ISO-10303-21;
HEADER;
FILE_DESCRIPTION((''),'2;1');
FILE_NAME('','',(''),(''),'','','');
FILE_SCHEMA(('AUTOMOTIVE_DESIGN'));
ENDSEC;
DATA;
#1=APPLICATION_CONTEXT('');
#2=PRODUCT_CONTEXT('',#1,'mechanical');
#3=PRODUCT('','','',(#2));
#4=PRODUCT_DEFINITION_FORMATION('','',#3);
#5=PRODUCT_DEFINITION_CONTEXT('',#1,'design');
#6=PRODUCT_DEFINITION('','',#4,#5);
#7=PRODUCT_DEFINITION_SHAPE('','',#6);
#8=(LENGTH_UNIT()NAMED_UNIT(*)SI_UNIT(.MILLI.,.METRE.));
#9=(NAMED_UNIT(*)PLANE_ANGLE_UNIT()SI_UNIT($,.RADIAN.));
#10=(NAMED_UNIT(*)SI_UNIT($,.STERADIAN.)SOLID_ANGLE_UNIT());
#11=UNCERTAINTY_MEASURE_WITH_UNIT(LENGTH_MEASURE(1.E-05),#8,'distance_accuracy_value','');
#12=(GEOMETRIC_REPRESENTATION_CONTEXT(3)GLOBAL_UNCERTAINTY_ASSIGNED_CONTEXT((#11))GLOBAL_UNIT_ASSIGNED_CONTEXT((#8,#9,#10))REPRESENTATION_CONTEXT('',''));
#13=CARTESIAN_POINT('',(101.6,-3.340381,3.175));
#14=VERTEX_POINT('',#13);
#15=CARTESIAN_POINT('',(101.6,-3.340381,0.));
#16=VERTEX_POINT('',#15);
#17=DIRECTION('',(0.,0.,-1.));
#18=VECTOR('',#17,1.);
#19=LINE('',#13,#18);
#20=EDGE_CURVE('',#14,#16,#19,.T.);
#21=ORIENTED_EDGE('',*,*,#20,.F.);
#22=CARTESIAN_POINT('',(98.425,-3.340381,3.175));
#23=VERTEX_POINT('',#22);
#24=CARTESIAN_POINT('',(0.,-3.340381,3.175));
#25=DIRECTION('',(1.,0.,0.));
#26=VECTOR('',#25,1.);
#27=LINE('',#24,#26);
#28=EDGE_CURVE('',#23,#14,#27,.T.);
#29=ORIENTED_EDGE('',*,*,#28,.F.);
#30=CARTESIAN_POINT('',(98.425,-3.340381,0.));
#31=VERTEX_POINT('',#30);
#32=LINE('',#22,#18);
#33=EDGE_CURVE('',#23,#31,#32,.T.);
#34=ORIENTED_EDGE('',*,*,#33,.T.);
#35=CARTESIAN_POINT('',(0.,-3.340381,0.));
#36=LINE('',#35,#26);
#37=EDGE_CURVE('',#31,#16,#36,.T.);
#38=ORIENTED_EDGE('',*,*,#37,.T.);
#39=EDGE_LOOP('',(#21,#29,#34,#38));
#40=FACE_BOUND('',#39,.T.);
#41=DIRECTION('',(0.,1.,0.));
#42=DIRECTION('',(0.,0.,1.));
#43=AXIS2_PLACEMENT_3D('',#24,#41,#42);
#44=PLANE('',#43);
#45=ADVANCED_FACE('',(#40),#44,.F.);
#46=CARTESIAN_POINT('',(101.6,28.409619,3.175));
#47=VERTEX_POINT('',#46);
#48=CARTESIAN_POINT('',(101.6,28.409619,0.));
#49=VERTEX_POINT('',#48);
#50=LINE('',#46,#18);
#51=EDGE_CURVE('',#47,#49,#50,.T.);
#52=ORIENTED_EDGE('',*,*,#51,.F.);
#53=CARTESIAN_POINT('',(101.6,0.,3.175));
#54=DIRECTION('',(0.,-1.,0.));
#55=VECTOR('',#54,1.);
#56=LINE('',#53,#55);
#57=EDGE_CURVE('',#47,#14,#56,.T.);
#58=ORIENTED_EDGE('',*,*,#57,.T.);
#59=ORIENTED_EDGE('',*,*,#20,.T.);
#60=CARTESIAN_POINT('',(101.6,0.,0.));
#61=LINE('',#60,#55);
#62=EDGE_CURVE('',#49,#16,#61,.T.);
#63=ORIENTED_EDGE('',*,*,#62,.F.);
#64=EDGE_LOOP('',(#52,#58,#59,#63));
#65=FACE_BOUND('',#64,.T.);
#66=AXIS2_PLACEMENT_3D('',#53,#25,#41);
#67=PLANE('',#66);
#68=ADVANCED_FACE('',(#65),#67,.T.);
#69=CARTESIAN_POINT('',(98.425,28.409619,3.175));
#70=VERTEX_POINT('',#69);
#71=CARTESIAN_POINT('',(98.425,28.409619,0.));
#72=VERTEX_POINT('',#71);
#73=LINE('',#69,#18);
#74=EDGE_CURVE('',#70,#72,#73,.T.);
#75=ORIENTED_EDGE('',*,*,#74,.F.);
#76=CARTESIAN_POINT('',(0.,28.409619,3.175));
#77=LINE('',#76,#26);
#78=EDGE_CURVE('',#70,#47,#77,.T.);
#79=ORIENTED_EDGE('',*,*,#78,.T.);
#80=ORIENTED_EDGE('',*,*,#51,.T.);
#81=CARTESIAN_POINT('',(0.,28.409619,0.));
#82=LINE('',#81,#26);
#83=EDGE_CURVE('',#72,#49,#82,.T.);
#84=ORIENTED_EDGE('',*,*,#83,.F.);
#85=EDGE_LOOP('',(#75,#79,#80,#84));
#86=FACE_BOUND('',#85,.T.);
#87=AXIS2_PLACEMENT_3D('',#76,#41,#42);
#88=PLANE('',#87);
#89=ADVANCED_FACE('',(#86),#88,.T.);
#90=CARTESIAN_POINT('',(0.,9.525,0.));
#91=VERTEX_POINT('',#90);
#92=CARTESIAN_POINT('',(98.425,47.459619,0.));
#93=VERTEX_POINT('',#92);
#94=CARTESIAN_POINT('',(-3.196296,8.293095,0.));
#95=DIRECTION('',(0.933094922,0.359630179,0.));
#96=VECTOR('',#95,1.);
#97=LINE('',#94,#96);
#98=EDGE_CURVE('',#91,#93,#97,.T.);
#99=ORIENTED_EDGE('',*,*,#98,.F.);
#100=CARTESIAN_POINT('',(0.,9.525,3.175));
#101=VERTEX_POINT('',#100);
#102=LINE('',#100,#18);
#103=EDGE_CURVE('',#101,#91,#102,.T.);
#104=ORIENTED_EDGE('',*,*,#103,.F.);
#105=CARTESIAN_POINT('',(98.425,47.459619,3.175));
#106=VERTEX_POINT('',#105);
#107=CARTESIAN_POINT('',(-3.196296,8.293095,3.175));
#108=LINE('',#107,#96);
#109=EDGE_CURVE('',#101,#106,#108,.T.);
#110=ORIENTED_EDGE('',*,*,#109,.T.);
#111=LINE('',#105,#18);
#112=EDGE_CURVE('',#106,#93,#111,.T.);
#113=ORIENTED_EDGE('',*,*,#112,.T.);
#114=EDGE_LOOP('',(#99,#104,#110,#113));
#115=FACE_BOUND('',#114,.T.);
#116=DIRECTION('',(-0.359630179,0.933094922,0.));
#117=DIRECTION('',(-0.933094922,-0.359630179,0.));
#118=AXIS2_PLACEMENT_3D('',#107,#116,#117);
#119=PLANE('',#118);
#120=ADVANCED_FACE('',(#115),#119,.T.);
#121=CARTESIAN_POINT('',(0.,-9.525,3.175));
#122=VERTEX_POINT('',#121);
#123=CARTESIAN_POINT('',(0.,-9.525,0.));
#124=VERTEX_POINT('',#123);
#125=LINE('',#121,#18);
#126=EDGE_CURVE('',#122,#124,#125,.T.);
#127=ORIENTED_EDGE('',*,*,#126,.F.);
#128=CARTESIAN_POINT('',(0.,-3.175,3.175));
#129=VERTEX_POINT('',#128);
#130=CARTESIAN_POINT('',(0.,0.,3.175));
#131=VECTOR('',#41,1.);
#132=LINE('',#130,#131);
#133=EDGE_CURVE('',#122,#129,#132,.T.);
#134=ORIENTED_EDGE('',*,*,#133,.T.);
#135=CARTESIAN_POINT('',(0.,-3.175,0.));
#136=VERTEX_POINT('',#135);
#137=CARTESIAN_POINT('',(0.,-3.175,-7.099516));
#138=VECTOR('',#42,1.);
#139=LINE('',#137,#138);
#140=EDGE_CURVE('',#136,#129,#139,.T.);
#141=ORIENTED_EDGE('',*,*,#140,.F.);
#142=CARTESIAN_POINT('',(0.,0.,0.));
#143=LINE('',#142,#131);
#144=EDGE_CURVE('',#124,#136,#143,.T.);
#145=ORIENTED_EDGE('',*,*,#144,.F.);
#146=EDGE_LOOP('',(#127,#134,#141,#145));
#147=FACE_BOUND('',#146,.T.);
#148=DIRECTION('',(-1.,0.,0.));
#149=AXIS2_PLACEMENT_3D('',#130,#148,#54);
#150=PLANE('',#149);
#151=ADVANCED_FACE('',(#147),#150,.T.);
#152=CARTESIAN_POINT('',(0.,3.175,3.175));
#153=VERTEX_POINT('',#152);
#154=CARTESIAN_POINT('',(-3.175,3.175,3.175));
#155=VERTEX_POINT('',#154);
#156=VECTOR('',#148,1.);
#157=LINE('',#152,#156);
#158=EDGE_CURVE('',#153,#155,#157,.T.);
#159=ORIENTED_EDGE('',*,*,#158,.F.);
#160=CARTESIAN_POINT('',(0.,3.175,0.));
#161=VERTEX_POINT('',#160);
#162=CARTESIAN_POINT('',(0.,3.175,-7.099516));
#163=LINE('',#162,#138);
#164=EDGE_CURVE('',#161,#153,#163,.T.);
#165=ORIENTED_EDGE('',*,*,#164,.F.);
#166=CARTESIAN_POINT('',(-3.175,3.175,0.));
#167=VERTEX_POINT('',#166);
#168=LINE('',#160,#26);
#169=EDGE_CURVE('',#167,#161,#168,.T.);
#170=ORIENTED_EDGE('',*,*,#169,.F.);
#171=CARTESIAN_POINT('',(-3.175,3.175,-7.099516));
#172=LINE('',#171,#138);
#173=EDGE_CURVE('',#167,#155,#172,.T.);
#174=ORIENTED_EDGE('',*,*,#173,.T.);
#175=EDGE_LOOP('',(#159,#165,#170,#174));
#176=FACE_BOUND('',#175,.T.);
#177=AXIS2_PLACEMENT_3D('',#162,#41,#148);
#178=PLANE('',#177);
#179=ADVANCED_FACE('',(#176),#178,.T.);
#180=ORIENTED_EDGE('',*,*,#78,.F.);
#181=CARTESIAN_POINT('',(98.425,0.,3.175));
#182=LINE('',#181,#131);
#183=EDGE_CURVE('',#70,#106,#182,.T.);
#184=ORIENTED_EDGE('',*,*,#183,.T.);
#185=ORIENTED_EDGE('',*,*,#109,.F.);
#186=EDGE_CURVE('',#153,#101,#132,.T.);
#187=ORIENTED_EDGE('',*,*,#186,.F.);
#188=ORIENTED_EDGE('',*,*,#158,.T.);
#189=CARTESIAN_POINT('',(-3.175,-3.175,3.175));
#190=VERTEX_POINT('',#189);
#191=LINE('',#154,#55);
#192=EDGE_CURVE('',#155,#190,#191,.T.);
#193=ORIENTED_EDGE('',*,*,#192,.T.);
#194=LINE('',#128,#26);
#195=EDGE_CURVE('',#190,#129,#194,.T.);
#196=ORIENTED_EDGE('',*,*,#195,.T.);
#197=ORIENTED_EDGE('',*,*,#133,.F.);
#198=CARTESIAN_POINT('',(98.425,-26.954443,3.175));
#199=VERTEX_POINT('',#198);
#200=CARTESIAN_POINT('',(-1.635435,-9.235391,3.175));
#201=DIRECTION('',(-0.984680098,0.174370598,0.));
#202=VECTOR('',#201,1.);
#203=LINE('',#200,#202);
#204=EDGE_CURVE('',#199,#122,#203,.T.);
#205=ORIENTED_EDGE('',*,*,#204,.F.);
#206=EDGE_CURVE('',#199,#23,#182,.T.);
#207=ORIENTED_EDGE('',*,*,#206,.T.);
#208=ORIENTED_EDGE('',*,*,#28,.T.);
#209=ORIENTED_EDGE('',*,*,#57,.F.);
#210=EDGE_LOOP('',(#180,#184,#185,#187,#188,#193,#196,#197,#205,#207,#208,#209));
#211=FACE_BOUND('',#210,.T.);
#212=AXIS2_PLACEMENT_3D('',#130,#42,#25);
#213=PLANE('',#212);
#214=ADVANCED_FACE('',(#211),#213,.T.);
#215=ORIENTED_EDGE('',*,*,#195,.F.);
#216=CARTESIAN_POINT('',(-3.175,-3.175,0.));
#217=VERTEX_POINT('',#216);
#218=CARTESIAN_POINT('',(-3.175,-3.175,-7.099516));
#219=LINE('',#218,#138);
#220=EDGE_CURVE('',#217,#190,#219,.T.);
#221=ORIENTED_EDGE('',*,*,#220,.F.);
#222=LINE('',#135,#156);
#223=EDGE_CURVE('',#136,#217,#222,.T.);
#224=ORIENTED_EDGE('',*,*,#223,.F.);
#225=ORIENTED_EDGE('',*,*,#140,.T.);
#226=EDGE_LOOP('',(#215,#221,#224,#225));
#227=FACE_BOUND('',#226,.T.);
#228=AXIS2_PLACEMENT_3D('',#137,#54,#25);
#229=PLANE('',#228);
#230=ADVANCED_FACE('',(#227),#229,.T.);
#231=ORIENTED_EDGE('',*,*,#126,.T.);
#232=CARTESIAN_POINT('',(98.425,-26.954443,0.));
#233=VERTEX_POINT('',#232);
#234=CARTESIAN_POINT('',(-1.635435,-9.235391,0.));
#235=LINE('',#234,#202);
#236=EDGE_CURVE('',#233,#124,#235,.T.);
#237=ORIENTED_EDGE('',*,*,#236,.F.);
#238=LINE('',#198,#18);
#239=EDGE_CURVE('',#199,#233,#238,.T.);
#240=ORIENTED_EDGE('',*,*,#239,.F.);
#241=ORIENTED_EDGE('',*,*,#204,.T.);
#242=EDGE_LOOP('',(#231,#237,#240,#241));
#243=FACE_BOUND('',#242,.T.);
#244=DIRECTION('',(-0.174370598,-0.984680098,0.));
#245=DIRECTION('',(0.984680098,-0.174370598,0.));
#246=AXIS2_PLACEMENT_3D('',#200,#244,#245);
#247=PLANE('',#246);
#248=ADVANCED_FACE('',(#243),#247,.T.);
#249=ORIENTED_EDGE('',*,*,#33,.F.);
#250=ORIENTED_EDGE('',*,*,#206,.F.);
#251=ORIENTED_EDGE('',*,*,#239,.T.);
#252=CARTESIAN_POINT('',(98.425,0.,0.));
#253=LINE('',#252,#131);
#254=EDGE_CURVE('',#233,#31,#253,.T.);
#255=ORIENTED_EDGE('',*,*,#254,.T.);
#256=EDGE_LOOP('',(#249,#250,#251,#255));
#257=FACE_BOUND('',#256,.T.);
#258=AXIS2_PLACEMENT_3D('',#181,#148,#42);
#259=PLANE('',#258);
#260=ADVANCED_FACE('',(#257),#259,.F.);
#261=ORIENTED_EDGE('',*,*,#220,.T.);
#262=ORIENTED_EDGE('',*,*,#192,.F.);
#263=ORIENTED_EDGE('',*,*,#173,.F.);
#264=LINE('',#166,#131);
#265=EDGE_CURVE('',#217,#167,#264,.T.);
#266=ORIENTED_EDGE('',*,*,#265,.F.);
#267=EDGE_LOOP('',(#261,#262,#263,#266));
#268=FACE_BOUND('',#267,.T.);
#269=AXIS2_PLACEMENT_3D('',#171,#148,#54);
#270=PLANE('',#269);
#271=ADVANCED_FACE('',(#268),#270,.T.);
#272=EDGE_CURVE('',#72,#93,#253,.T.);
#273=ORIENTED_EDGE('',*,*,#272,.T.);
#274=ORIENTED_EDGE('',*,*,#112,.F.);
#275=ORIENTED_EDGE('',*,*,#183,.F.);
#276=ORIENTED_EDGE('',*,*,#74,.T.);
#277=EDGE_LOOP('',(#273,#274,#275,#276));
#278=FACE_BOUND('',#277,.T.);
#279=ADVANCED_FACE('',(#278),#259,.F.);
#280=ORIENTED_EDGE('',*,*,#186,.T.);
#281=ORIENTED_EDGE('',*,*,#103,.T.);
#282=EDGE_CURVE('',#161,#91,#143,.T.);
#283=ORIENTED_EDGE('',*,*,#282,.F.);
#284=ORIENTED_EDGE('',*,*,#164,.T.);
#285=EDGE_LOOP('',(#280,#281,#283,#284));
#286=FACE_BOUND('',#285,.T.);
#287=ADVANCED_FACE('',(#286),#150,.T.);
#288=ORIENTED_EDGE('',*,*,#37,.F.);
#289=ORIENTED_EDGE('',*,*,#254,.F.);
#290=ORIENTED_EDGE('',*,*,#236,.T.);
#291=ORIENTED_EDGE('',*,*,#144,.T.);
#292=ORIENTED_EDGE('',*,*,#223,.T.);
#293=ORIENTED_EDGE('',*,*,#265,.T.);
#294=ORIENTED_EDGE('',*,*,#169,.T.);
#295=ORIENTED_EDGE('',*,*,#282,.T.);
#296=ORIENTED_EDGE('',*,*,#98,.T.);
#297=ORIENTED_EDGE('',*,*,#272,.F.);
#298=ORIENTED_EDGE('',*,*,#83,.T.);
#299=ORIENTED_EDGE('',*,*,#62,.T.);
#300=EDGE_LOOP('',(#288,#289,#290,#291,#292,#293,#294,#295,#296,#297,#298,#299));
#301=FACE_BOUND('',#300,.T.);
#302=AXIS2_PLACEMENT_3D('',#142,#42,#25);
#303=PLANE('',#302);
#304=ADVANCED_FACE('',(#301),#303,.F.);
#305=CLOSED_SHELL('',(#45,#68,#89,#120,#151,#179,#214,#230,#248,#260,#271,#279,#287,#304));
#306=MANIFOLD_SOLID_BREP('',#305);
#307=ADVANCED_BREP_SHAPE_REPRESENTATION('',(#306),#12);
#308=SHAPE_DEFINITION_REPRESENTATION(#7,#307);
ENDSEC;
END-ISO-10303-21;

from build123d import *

# Parameters (mm, degrees)
SKETCH1_W           = 3.175
SKETCH1_H           = 31.75
BOSS_EXTRUDE2_DEPTH = 3.175
SKETCH2_W           = 3.175
SKETCH2_H           = 6.35
BOSS_EXTRUDE3_DEPTH = 3.175


with BuildPart() as part:
    # Sketch1 → Boss-Extrude2 (new body)
    with BuildSketch(Plane.XY):
        Polygon((0, 9.525), (0, -9.525), (98.425, -26.954443488), (98.425, -3.340380987), (98.425, 28.409619013), (98.425, 47.459619012), align=None)
        with Locations((100.0125, 12.534619013)):
            Rectangle(SKETCH1_W, SKETCH1_H)
    extrude(amount=BOSS_EXTRUDE2_DEPTH)

    # Sketch2 → Boss-Extrude3 (add)
    with BuildSketch(Plane.XY.offset(3.175)):
        with Locations((-1.5875, 0)):
            Rectangle(SKETCH2_W, SKETCH2_H)
    extrude(amount=-BOSS_EXTRUDE3_DEPTH)


solid = part.part
